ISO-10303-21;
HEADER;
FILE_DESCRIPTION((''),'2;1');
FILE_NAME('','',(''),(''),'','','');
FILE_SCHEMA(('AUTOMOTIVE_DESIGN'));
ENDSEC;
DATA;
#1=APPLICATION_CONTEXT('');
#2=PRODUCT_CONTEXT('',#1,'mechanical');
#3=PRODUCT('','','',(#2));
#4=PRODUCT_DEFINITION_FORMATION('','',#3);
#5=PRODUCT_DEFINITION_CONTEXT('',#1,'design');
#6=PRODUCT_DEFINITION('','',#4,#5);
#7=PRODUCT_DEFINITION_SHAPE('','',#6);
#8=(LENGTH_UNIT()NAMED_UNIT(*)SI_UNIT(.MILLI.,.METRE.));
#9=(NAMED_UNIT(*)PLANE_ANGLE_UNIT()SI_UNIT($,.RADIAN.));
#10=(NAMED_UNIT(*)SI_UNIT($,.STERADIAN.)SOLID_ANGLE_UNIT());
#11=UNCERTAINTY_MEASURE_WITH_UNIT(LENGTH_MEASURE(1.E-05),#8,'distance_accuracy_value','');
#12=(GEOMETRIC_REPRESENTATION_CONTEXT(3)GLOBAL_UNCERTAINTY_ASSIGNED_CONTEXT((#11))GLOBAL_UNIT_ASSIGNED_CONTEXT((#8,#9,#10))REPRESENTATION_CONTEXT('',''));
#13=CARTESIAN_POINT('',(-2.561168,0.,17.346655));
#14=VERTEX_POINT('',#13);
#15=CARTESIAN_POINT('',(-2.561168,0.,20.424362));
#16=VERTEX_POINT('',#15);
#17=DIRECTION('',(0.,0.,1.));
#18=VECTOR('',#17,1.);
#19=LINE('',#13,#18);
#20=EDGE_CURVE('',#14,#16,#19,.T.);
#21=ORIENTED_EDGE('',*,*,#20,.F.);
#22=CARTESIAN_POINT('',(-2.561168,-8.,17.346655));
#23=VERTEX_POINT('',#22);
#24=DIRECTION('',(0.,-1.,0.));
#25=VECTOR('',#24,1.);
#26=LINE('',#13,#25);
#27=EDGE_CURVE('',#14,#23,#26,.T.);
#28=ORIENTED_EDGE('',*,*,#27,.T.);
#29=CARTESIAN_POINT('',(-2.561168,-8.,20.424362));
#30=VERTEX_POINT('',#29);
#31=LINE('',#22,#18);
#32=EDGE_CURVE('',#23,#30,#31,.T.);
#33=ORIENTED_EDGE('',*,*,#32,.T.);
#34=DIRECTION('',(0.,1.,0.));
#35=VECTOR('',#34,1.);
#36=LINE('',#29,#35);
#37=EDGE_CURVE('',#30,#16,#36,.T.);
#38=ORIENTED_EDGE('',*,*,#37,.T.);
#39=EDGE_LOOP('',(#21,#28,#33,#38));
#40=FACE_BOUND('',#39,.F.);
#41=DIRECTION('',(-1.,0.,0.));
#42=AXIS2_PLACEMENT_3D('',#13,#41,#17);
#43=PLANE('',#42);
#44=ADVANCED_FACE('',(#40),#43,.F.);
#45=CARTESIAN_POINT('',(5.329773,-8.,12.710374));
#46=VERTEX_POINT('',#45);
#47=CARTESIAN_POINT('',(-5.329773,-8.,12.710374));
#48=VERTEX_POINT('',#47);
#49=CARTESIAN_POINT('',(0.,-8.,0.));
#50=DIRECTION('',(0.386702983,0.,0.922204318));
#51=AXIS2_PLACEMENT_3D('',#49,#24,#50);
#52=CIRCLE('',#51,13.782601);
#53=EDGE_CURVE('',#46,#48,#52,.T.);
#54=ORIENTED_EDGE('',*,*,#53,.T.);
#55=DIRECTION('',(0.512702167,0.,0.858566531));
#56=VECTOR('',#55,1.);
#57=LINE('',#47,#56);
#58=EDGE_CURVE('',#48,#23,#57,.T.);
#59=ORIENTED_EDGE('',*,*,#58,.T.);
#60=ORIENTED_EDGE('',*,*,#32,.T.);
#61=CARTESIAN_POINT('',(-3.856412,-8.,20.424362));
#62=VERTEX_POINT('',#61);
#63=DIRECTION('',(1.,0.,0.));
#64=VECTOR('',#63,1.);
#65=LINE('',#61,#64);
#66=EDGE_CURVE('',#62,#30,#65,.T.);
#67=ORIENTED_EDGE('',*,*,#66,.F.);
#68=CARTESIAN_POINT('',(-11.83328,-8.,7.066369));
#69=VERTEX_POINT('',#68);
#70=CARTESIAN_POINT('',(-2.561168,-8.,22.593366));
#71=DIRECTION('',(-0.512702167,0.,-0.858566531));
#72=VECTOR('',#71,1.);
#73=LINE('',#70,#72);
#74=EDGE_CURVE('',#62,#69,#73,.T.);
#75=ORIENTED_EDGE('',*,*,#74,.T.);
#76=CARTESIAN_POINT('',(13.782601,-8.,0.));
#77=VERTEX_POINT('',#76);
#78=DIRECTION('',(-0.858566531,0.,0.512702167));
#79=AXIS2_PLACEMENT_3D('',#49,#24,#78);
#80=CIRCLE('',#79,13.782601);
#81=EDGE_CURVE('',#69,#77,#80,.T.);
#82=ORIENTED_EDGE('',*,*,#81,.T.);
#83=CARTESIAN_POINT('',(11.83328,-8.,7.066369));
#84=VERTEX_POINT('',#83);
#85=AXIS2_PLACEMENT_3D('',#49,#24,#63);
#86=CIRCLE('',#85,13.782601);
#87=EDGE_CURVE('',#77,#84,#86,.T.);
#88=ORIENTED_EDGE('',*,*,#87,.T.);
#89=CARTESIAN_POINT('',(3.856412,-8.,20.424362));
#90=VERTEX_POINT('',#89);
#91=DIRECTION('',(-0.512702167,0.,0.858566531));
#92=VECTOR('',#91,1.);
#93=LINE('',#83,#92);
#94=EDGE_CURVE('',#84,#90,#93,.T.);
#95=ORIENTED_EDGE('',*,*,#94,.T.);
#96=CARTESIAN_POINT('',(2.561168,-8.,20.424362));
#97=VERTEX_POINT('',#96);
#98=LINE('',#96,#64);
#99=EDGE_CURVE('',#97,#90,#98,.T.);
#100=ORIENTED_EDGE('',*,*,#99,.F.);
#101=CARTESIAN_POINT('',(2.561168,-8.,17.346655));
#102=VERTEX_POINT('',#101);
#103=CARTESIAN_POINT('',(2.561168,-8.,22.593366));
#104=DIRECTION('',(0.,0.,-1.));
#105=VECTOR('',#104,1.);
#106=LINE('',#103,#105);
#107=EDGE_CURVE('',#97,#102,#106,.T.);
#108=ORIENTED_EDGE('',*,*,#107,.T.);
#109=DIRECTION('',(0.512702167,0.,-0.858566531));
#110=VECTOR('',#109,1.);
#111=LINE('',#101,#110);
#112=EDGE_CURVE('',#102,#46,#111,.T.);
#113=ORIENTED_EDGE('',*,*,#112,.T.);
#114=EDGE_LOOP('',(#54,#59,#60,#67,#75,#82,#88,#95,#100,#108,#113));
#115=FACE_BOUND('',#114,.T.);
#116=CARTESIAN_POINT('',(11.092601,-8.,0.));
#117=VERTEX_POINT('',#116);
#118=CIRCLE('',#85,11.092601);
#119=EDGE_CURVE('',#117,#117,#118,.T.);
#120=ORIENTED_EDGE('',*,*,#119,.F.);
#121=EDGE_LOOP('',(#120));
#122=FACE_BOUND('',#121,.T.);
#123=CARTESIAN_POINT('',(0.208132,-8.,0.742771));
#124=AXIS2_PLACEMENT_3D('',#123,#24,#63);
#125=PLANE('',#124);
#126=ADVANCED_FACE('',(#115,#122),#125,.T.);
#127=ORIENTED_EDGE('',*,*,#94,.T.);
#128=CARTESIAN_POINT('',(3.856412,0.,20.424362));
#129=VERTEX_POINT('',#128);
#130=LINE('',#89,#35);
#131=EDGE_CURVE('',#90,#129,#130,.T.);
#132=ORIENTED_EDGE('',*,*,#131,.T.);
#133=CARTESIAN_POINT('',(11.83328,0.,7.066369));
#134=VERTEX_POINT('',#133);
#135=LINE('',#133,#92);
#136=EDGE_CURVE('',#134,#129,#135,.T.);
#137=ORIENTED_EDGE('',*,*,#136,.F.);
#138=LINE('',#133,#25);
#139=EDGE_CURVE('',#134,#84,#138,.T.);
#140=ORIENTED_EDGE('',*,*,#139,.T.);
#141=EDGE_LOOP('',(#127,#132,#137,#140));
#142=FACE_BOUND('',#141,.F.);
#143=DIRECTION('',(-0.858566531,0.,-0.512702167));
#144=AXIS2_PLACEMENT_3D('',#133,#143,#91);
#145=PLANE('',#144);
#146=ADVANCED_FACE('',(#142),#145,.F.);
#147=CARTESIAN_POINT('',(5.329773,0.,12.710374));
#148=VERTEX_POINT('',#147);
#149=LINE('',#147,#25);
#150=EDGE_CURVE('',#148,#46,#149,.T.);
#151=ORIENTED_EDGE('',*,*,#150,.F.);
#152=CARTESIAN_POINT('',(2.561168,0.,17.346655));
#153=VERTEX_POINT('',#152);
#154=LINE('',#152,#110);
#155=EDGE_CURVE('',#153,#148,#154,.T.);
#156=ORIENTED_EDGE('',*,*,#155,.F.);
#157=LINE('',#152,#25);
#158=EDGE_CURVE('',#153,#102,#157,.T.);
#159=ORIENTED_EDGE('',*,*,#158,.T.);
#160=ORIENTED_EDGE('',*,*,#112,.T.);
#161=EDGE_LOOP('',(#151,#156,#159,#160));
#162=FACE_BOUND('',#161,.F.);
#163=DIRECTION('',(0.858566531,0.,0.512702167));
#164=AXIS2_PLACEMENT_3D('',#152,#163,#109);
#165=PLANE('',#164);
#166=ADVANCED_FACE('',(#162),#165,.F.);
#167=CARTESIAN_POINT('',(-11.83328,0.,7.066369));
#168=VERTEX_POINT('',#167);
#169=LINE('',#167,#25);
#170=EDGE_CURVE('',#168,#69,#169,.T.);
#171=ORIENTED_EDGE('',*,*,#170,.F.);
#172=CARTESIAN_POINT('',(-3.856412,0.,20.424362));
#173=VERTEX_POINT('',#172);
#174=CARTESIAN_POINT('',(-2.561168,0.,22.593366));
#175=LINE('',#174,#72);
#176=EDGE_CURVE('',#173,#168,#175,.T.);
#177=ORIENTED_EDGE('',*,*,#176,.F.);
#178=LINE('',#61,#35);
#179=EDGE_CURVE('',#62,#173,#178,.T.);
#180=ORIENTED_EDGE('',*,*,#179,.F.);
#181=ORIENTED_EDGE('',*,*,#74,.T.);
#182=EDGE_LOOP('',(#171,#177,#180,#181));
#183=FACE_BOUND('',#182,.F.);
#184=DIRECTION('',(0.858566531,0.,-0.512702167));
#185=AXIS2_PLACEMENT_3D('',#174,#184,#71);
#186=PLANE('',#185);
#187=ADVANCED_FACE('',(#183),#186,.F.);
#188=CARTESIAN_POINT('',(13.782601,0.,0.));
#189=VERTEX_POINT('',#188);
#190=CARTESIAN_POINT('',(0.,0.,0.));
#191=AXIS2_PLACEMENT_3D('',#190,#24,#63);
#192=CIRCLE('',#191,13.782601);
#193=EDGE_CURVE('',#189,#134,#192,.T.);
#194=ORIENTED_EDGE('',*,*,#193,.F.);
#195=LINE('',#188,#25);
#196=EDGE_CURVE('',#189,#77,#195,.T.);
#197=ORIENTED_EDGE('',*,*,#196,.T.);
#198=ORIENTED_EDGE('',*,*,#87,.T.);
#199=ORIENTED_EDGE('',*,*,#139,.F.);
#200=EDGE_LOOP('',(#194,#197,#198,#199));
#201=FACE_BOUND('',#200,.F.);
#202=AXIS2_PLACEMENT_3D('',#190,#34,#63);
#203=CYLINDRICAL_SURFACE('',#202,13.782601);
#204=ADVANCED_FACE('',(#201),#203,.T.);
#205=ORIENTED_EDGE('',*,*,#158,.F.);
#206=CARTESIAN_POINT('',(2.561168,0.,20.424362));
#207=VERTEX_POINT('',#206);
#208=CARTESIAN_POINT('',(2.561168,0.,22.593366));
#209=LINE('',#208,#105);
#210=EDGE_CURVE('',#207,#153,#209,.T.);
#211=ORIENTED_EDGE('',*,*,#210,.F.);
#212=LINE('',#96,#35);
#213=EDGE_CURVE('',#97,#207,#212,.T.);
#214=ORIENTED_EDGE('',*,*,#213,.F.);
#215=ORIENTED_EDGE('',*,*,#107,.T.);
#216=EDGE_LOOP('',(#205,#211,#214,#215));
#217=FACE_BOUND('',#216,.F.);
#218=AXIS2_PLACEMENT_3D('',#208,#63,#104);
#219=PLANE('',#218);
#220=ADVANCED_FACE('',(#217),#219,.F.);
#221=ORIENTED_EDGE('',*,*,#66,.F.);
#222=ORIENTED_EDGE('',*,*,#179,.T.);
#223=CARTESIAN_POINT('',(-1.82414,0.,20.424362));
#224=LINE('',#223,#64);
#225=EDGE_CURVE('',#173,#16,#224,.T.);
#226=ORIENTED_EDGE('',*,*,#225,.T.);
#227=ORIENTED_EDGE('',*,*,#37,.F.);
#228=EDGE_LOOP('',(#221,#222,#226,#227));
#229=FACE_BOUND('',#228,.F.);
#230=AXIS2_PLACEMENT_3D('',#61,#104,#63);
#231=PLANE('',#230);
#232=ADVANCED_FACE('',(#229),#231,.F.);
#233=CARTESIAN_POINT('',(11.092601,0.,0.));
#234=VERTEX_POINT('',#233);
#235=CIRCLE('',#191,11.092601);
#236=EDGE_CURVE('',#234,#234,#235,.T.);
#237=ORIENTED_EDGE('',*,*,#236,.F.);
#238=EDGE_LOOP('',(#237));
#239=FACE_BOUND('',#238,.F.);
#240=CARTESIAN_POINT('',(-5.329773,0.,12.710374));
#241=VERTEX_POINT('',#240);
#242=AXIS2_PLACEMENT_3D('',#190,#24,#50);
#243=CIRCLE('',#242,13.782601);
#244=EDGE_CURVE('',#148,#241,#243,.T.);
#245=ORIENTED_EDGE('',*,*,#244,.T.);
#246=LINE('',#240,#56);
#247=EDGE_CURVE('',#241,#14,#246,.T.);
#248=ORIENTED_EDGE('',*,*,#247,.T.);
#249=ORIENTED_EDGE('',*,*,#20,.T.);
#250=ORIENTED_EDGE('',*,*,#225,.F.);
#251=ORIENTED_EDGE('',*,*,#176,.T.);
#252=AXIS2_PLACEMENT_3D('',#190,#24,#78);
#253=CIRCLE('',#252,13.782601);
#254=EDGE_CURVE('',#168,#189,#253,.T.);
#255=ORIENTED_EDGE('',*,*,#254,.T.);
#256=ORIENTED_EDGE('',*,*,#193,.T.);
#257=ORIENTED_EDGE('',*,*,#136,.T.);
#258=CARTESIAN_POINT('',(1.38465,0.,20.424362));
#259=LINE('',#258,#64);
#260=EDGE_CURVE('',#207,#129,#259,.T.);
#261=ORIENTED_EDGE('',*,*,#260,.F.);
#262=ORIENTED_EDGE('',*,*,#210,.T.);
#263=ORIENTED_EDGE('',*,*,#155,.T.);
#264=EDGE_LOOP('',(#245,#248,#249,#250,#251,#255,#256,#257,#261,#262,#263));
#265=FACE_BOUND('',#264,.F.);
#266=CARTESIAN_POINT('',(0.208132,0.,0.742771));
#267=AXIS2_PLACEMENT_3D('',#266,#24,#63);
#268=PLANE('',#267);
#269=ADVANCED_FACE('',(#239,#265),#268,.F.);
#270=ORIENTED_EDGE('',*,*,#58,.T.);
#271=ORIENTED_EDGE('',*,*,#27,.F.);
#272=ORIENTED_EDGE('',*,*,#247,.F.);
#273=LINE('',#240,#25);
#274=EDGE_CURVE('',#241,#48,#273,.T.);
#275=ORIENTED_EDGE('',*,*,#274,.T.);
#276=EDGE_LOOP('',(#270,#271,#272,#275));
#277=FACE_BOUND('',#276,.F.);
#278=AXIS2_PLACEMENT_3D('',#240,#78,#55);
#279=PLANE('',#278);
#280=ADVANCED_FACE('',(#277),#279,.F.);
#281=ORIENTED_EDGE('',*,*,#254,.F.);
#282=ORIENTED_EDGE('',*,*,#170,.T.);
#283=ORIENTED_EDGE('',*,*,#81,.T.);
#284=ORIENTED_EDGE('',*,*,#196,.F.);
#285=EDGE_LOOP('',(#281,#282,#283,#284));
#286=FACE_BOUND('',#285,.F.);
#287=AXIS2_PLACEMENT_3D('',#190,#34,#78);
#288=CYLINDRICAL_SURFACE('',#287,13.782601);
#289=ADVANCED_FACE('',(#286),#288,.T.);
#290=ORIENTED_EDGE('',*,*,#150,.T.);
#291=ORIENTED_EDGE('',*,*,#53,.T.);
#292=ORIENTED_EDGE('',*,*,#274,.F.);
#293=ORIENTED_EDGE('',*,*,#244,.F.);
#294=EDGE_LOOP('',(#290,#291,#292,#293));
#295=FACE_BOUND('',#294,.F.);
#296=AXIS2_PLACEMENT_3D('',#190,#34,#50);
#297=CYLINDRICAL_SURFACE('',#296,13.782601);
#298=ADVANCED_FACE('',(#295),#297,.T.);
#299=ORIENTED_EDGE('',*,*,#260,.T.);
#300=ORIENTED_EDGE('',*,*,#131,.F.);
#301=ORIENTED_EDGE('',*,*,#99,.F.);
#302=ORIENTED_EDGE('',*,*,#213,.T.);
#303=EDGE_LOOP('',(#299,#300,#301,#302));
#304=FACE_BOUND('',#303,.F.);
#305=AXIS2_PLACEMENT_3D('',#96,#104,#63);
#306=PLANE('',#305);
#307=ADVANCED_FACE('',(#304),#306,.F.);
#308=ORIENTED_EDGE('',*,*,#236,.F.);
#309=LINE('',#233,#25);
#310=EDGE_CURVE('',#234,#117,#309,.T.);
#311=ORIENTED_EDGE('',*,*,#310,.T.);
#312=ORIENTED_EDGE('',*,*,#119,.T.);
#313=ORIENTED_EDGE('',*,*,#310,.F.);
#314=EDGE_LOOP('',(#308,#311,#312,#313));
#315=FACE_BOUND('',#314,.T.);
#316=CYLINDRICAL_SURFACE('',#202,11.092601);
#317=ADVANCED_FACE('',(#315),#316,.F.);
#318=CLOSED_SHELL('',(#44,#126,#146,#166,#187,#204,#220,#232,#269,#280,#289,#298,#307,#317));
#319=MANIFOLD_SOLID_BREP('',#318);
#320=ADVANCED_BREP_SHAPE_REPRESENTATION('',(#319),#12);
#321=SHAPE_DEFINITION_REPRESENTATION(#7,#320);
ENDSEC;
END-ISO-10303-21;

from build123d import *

# Parameters (mm, degrees)
F0_R     = 11.0926010324
F1_DEPTH = 8
F3_DEPTH = 8.001


with BuildPart() as f1:
    # F0 (on Front) → F1 (new body)
    with BuildSketch(Plane.XZ):
        with BuildLine():
            ThreePointArc((-11.8332799586, 7.0663694101), (-3.6651544746, -13.2863363609), (13.7826010324, 0))
            ThreePointArc((13.7826010324, 0), (13.2863363609, 3.6651544746), (11.8332799586, 7.0663694101))
            ThreePointArc((11.8332799586, 7.0663694101), (9.033620179, 10.4093130263), (5.3297729261, 12.7103741792))
            ThreePointArc((5.3297729261, 12.7103741792), (0, 13.7826010324), (-5.3297729261, 12.7103741792))
            ThreePointArc((-5.3297729261, 12.7103741792), (-9.033620179, 10.4093130263), (-11.8332799586, 7.0663694101))
        make_face()
        Circle(F0_R, mode=Mode.SUBTRACT)
        with BuildLine():
            ThreePointArc((5.3297729261, 12.7103741792), (9.033620179, 10.4093130263), (11.8332799586, 7.0663694101))
            Line((11.8332799586, 7.0663694101), (2.8373862151, 22.1308138179))
            Line((2.8373862151, 22.1308138179), (2.5611680947, 22.5933662488))
            Line((2.5611680947, 22.5933662488), (2.5611680947, 17.7217939694))
            Line((2.5611680947, 17.7217939694), (2.5611680947, 17.3466554381))
            Line((2.5611680947, 17.3466554381), (5.3297729261, 12.7103741792))
        make_face()
        with BuildLine():
            Line((-2.5611680947, 22.5933662488), (-11.8332799586, 7.0663694101))
            ThreePointArc((-11.8332799586, 7.0663694101), (-9.033620179, 10.4093130263), (-5.3297729261, 12.7103741792))
            Line((-5.3297729261, 12.7103741792), (-2.5611680947, 17.3466554381))
            Line((-2.5611680947, 17.3466554381), (-2.5611680947, 17.7217939694))
            Line((-2.5611680947, 17.7217939694), (-2.5611680947, 22.5933662488))
        make_face()
    extrude(amount=F1_DEPTH)

    # F2 (on face) → F3 (cut, through all)
    with BuildSketch(Plane.XZ.offset(8)):
        Polygon((2.5611680947, 22.5933662488), (2.5611680947, 20.424362272), (3.8564119667, 20.424362272), align=None)
        Polygon((-2.5611680947, 22.5933662488), (-3.8564119667, 20.424362272), (-2.5611680947, 20.424362272), align=None)
    extrude(amount=-F3_DEPTH, mode=Mode.SUBTRACT)


solid = f1.part
